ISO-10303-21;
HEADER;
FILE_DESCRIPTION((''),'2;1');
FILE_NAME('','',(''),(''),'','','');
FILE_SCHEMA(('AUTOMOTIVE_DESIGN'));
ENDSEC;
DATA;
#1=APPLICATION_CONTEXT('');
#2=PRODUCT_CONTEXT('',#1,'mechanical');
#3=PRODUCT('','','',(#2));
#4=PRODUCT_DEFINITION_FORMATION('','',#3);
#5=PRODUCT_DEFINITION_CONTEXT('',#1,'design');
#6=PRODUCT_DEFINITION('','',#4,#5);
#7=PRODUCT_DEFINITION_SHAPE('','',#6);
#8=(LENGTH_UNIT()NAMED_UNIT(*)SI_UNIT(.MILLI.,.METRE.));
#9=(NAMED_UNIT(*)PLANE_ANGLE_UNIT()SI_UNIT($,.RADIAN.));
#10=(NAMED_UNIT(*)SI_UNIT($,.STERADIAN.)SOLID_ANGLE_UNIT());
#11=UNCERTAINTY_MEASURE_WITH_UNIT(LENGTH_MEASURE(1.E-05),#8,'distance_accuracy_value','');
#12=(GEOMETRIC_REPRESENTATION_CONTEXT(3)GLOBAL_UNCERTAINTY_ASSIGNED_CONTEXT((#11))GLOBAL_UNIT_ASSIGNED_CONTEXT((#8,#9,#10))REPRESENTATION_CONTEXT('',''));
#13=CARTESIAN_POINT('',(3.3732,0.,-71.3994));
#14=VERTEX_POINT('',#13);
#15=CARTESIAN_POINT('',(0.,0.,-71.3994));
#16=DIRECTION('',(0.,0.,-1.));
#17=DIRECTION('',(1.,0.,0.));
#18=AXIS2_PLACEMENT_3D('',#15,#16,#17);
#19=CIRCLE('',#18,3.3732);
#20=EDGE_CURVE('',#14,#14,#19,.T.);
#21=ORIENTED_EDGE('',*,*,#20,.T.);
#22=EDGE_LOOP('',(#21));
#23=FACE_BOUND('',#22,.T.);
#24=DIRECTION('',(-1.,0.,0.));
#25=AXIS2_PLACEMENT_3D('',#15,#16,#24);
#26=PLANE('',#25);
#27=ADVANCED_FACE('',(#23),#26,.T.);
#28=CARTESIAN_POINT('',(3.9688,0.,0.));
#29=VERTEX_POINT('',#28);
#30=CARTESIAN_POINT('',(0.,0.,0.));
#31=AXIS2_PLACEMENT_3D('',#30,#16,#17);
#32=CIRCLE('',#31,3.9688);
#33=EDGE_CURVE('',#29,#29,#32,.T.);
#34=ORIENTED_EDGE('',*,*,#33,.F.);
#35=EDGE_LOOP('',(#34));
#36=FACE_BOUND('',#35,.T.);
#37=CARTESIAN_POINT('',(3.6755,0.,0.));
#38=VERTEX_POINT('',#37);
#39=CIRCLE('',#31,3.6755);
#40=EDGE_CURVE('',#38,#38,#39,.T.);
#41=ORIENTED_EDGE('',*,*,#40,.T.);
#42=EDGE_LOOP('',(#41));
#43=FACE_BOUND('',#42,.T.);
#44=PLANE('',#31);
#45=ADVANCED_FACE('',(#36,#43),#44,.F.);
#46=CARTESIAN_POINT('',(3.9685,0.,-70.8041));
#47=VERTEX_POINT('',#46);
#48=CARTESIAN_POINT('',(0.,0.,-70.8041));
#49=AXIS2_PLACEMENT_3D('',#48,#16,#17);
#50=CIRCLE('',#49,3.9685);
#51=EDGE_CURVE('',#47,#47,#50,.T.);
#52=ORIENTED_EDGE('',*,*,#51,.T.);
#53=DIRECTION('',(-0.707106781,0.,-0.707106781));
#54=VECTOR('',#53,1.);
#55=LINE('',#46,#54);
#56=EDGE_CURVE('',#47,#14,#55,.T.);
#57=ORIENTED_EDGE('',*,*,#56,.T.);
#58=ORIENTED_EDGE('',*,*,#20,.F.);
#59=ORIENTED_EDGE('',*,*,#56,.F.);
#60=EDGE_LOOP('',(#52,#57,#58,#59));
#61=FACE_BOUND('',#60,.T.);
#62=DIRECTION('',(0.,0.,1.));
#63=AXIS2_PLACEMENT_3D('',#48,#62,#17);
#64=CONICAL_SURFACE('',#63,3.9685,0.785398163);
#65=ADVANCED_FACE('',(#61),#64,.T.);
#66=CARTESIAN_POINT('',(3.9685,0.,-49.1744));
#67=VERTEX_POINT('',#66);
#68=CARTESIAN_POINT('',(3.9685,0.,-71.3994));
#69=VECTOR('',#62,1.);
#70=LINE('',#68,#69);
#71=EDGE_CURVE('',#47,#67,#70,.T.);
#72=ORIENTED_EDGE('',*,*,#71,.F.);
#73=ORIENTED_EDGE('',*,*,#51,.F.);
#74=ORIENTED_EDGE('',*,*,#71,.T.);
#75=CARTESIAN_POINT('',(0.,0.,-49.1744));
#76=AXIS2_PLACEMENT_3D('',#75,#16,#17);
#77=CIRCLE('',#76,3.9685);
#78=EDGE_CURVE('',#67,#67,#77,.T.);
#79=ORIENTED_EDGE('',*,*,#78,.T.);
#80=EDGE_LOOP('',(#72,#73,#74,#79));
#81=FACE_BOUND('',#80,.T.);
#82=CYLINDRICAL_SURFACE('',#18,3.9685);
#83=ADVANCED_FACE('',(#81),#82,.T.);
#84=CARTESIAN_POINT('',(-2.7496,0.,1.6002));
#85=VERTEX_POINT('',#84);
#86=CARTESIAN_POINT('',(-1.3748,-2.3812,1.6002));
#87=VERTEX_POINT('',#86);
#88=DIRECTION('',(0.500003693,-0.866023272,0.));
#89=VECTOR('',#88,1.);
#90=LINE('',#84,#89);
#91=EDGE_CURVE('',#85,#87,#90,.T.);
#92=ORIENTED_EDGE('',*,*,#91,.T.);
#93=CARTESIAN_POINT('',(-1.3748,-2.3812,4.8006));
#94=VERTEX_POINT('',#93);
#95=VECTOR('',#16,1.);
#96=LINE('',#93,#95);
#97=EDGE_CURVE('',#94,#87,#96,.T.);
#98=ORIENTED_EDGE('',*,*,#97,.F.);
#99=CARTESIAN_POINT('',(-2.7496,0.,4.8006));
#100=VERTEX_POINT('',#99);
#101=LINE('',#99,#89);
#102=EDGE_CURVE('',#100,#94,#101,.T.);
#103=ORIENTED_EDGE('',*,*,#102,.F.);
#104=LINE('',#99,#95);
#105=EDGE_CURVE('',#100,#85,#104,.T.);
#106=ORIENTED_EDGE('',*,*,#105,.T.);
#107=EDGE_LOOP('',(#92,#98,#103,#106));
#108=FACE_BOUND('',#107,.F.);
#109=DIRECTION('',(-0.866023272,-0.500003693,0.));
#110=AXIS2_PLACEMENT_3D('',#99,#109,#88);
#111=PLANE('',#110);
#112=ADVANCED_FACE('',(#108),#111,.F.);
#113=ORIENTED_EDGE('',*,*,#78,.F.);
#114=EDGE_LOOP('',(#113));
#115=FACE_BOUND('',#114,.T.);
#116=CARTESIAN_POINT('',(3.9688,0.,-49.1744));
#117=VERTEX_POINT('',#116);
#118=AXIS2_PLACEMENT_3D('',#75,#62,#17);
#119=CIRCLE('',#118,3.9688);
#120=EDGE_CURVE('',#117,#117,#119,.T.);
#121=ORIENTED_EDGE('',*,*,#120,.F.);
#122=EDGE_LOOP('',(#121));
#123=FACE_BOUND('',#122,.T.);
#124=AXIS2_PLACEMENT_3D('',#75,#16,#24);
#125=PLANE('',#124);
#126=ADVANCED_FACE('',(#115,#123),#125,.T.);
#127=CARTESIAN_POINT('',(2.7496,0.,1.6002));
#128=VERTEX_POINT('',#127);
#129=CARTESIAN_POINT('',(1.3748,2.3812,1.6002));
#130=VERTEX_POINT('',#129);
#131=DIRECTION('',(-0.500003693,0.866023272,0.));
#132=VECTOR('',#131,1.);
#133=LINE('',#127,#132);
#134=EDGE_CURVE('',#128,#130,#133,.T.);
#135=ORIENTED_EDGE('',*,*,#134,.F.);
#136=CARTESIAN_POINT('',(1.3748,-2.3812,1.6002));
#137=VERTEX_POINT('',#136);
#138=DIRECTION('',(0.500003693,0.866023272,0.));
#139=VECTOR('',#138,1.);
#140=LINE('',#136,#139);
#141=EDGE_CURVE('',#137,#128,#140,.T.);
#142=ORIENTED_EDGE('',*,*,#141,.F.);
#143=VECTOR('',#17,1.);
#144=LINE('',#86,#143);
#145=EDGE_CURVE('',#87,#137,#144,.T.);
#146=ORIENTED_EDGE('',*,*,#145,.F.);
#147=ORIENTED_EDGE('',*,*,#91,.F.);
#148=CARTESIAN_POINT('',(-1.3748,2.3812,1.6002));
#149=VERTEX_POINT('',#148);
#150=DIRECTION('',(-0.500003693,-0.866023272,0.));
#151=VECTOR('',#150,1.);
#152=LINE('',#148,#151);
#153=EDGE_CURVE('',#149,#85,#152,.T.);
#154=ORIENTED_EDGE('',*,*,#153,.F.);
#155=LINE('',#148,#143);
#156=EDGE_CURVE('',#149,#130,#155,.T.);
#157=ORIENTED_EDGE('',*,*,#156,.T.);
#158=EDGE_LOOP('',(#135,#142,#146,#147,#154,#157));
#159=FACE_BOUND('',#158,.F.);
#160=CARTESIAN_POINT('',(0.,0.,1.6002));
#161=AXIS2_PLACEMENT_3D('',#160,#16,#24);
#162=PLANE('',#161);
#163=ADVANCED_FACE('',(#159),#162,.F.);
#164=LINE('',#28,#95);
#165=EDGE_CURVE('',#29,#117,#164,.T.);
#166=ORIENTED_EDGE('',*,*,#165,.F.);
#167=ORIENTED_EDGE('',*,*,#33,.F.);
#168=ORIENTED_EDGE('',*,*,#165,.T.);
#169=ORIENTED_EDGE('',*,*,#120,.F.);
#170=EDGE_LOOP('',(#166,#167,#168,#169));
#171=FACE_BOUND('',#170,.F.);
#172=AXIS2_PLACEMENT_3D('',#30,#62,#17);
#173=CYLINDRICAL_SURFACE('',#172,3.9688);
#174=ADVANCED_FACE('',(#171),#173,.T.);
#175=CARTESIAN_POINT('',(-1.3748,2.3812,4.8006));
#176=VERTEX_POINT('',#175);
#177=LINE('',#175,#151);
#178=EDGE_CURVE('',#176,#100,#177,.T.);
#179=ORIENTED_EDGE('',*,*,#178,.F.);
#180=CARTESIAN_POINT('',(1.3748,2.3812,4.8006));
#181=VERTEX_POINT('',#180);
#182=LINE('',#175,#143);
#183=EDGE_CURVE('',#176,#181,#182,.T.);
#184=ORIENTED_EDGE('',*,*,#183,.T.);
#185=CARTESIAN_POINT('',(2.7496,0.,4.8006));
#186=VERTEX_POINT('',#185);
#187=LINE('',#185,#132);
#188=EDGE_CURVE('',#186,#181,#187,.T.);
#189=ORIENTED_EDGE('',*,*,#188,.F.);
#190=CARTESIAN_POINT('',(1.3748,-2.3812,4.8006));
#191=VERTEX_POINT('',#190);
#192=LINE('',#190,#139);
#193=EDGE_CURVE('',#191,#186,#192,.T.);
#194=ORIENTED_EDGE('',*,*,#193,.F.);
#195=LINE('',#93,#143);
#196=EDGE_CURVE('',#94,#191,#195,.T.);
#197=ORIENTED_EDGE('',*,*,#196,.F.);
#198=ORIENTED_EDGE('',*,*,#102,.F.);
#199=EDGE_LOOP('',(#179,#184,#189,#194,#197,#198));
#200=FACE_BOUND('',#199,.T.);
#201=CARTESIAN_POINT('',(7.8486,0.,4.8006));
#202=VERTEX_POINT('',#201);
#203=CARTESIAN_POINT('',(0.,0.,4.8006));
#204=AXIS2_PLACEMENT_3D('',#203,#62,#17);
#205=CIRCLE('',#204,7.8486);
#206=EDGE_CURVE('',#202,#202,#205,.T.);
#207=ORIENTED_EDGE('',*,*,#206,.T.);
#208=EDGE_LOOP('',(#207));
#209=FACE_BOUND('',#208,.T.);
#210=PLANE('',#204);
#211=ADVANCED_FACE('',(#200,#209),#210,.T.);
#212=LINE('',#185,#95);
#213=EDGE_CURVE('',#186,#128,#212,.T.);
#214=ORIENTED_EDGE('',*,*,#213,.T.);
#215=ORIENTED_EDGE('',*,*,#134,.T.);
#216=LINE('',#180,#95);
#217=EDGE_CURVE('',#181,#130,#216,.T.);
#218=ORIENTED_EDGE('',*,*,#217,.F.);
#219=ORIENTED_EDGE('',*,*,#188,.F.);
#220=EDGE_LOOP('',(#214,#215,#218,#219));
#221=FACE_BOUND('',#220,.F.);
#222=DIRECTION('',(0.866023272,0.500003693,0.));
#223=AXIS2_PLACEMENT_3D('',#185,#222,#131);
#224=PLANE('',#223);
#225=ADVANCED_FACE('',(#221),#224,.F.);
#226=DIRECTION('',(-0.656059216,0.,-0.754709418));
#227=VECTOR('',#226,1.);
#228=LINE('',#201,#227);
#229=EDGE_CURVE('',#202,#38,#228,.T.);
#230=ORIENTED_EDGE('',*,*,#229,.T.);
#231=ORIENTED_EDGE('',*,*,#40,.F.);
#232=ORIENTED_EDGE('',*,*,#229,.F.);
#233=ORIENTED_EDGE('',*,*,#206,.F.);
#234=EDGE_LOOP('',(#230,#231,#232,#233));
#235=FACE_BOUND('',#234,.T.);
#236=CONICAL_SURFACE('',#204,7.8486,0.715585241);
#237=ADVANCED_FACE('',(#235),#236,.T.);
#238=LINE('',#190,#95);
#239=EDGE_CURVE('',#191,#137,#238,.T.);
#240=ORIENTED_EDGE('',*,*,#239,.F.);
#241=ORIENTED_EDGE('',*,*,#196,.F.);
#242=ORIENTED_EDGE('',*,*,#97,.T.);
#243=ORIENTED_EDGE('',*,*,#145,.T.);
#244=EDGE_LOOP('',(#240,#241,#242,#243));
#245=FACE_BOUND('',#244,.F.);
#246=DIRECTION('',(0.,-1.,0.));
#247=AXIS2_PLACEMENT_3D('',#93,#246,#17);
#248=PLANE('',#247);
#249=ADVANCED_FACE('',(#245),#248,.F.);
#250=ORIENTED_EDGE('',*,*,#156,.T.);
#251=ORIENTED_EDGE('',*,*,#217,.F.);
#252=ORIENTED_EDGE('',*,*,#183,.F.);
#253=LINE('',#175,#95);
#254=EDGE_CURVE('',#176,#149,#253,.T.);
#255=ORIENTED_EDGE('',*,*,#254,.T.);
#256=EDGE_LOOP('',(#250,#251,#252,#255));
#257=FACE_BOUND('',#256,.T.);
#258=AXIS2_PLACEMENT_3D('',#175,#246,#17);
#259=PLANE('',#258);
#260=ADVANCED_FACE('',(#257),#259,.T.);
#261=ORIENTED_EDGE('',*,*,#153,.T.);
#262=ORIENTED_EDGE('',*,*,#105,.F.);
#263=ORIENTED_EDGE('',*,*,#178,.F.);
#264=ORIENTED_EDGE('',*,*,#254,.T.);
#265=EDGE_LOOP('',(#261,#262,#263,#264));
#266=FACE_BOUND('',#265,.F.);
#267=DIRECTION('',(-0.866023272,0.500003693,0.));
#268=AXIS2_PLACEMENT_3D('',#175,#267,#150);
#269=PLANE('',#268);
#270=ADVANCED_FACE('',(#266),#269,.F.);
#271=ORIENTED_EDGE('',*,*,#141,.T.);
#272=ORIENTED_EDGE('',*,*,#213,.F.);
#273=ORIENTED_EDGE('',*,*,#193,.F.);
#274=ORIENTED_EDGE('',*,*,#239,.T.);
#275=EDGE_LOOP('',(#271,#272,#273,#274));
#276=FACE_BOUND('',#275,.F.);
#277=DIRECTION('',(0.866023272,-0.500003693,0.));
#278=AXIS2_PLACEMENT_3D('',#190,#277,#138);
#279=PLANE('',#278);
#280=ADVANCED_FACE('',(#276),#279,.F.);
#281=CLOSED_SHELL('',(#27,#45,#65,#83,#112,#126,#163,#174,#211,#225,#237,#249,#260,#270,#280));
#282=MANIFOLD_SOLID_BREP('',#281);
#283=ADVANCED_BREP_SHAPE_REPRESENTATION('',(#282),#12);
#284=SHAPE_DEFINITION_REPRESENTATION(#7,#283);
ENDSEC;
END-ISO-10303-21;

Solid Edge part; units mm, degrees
sketch "Sketch1" plane through (0, 0, 0) normal (0, 0, 1) x (1, 0, 0)
  circle A0 centre (0, 0) radius 7.8486
  dimension "D1" = 15.6972
extrude "Protrusion1" add sketch "Sketch1" along normal blind 4.8006
sketch "Sketch2" plane through (0, 0, 0) normal (0, 0, -1) x (1, 0, 0)
  circle A0 centre (0, 0) radius 3.9688
extrude "Protrusion2" add sketch "Sketch2" along normal blind 71.3994
sketch "Sketch3" plane through (0, 0, -71.3994) normal (0, 0, -1) x (1, 0, 0)
  circle A0 centre (0, 0) radius 3.9685
extrude "Cutout1" cut sketch "Sketch3" against normal blind 22.225 flip side to cut
chamfer "Chamfer_1" distance 0.5953 angle 45 1 edges at (-3.9685, 0, -71.3994)
sketch "Sketch4" plane through (0, 0, 4.8006) normal (0, 0, 1) x (1, 0, 0)
  line L0 (-1.3748, 2.3812) -> (1.3748, 2.3812)
  line L1 (2.7496, 0) -> (1.3748, 2.3812)
  line L2 (1.3748, -2.3812) -> (2.7496, 0)
  line L3 (-1.3748, -2.3812) -> (1.3748, -2.3812)
  line L4 (-2.7496, 0) -> (-1.3748, -2.3812)
  line L5 (-1.3748, 2.3812) -> (-2.7496, 0)
  dimension "D1" = 4.7625
extrude "Cutout2" cut sketch "Sketch4" against normal blind 3.2004
sketch "Sketch5" plane through (0, 0, 0) normal (0, -1, 0) x (1, 0, 0)
  line L0 (7.8486, 4.8006) -> (3.6755, 0)
  line L1 (3.6755, 0) -> (7.8486, 0)
  line L2 (7.8486, 0) -> (7.8486, 4.8006)
revolve "RevolvedCutout1" cut sketch "Sketch5" angle 360 about axis through (0, 0, 14.0017) along (0, 0, -1)
properties part number "24103305"
